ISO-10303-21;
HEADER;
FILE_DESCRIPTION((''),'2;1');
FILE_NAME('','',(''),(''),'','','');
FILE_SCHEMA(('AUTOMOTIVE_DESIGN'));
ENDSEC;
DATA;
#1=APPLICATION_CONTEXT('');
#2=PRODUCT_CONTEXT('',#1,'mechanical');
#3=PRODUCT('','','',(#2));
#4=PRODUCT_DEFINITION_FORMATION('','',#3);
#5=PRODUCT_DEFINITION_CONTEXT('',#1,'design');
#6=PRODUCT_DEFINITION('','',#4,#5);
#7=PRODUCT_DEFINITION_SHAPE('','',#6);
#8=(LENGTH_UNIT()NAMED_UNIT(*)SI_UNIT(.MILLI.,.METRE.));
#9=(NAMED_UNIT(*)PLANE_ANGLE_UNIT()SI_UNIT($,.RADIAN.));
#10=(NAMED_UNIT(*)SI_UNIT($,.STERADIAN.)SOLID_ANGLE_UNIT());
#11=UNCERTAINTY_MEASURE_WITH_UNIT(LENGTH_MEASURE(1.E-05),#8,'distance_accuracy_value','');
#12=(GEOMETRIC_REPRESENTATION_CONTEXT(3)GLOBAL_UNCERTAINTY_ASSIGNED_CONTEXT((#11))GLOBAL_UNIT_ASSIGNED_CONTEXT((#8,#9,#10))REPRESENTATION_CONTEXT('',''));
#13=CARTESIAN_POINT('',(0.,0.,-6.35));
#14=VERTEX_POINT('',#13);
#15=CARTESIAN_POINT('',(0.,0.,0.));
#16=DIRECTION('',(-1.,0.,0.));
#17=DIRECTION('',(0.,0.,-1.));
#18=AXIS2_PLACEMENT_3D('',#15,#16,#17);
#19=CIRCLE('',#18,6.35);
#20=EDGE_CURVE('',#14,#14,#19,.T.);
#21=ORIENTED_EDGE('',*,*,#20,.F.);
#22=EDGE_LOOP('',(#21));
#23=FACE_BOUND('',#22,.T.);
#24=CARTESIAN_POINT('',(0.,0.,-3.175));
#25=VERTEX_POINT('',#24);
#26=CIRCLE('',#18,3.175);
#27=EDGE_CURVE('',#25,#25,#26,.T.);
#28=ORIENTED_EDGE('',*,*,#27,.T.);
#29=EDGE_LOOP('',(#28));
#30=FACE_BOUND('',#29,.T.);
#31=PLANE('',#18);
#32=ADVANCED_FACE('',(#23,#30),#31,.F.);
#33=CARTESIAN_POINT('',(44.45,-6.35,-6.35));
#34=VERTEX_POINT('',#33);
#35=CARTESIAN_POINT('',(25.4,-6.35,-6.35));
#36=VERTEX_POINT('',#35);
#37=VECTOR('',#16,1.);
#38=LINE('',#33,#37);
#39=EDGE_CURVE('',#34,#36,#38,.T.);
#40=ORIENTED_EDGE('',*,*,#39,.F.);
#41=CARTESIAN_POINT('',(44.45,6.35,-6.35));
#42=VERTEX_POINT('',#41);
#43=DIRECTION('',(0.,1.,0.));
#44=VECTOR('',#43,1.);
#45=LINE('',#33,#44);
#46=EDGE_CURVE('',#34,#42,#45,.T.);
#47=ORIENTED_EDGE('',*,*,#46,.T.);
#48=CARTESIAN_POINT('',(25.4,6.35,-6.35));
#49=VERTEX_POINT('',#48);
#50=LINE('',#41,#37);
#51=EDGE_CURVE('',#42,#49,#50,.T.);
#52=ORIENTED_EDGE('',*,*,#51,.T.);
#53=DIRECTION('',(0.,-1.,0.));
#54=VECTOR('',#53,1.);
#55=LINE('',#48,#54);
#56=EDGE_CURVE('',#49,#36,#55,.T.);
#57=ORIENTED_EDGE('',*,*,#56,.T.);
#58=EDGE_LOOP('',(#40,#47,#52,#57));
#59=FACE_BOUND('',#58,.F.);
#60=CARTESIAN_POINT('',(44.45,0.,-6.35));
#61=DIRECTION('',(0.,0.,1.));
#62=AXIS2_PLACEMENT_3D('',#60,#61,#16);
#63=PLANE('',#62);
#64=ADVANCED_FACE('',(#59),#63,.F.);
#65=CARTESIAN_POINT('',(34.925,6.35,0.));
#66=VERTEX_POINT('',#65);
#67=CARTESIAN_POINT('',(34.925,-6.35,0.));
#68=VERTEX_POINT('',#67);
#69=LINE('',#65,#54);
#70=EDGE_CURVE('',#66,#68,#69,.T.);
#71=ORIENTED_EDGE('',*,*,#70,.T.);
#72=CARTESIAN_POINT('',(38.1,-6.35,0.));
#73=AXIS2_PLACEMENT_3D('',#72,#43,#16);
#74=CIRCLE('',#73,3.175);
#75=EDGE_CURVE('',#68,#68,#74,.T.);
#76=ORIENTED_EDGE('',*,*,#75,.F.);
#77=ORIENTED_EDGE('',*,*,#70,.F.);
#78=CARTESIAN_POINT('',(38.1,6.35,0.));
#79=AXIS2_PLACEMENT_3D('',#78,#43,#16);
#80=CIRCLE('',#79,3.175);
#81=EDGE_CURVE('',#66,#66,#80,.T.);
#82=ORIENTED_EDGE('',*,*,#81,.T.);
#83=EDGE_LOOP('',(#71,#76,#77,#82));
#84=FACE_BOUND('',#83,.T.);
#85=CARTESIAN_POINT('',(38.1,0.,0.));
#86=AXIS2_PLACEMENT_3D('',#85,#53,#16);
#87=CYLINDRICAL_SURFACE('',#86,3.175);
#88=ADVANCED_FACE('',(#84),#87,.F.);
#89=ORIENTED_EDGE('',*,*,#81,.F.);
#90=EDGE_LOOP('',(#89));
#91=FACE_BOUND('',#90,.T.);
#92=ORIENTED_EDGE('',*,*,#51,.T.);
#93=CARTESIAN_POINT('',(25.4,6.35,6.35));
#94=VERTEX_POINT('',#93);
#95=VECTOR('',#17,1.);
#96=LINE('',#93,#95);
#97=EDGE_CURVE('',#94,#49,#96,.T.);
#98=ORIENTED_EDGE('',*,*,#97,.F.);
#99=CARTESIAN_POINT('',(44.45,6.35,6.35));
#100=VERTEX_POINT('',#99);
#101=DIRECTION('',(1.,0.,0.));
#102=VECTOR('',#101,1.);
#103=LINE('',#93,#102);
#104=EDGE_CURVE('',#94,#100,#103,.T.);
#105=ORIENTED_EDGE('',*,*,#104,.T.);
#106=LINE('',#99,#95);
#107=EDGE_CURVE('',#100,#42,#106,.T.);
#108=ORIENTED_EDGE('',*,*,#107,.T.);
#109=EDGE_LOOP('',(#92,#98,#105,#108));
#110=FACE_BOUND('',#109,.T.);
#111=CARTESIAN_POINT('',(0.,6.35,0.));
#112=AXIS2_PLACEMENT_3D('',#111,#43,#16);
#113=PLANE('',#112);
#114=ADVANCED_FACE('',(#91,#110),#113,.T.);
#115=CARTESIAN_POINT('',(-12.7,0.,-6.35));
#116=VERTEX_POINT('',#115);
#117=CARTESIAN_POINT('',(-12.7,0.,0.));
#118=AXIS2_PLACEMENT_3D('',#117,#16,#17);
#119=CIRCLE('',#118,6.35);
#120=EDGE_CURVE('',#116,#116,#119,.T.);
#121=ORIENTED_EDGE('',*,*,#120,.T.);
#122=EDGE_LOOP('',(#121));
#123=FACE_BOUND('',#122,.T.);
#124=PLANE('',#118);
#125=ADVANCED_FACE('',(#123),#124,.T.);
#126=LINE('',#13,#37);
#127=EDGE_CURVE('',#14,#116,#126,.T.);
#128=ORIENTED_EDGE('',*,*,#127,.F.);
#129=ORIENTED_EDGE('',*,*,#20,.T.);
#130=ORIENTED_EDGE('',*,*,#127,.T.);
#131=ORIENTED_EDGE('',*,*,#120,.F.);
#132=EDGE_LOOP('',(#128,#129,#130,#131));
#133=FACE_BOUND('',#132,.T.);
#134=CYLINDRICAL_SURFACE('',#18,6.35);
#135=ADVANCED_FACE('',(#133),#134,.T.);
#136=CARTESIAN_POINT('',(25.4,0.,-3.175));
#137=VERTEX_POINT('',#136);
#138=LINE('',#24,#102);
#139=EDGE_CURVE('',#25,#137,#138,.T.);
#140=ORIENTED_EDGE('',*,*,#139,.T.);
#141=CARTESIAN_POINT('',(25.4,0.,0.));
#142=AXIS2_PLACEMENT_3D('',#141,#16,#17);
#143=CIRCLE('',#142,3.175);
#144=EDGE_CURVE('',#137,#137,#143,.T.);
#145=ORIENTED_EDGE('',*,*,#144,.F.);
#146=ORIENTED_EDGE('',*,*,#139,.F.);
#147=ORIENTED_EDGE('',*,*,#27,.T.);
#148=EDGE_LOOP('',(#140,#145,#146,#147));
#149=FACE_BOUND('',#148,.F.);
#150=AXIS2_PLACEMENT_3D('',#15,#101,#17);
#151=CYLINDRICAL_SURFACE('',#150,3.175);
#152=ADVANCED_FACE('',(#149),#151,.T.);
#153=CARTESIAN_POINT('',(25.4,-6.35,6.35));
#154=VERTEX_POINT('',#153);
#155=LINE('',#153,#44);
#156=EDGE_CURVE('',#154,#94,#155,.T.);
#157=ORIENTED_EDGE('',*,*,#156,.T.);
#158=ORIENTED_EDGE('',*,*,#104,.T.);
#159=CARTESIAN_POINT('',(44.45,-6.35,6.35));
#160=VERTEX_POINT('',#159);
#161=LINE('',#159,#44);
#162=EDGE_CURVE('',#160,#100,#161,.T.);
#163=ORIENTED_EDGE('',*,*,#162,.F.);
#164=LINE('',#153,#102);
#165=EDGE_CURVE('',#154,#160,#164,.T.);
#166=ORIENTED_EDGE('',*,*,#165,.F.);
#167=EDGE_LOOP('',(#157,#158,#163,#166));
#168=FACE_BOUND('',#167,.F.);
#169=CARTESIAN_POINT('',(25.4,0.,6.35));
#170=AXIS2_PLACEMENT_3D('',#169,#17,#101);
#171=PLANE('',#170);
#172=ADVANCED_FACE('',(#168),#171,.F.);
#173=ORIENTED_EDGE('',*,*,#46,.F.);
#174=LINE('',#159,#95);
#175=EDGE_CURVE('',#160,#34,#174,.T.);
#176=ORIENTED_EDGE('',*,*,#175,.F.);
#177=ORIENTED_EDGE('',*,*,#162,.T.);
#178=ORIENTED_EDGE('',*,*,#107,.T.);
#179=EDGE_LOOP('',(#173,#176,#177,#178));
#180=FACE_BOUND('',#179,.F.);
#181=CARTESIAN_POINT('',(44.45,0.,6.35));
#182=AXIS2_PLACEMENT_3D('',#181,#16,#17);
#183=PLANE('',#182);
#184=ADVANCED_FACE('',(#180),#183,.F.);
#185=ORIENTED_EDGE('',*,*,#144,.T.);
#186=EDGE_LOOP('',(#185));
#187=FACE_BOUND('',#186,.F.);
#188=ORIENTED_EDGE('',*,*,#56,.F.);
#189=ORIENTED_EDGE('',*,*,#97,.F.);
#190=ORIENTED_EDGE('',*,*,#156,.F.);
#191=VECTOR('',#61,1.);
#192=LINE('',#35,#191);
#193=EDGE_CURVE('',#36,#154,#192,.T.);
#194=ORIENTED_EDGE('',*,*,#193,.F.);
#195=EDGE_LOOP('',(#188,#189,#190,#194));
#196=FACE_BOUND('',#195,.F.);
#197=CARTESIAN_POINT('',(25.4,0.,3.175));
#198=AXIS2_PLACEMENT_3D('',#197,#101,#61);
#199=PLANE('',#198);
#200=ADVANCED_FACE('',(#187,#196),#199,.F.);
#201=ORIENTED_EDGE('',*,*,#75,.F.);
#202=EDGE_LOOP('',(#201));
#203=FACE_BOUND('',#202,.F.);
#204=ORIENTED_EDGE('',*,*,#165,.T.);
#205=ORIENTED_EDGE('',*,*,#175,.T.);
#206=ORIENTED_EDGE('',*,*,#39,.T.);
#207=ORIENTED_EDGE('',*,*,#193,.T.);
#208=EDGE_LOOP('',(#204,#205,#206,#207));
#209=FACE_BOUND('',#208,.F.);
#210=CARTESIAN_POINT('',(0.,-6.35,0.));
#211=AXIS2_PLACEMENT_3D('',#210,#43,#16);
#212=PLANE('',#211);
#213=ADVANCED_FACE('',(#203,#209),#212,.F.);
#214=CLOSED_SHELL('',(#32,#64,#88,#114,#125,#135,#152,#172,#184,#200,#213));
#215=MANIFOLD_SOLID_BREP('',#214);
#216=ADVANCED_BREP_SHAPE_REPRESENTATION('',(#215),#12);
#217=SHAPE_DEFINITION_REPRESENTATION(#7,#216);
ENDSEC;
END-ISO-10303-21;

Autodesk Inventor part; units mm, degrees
ref_plane "YZ Plane" through (0, 0, 0) normal (1, 0, 0) x (0, 1, 0)
ref_plane "XZ Plane" through (0, 0, 0) normal (0, 1, 0) x (-1, 0, 0)
sketch "Sketch2" plane through (0, 0, 0) normal (0, 1, 0) x (-1, 0, 0)
  line L0 (-25.4, 6.35) -> (-44.45, 6.35)
  line L1 (-44.45, 6.35) -> (-44.45, -6.35)
  line L2 (-44.45, -6.35) -> (-25.4, -6.35)
  line L3 (-25.4, -6.35) -> (-25.4, 6.35)
  line L4 (-25.4, 3.175) -> (-25.4, -3.175) projected
  circle A0 centre (-38.1, 0) radius 3.175
  point P0 (0, 0)
  point P1 (-25.4, 0)
  dimension "d6" = 0
  dimension "d15" = 6.35
  dimension "d16" = 6.35
  dimension "d17" = 12.7
  dimension "d18" = 19.05
  dimension "d19" = 6.35
extrude "Extrusion1" add sketch "Sketch2" along normal mid plane 12.7
ref_plane "Work Plane2" through (0, 0, 0) normal (0, 1, 0) x (1, 0, 0)
sketch "Sketch4" plane through (0, 0, 0) normal (0, 1, 0) x (1, 0, 0)
  line L0 (25.4, 6.35) -> (25.4, -6.35) projected
  line L1 (25.4, 0) -> (0, 0)
  line L2 (0, 0) -> (0, 3.175)
  line L3 (0, 3.175) -> (25.4, 3.175)
  line L4 (25.4, 0) -> (25.4, 3.175)
  line L5 (0, 0) -> (0, 6.35)
  line L6 (0, 6.35) -> (-12.7, 6.35)
  line L7 (-12.7, 6.35) -> (-12.7, 0)
  line L8 (-12.7, 0) -> (0, 0)
  point P0 (0, 0)
  point P1 (0, 3.175)
  dimension "d20" = 25.4
  dimension "d21" = 3.175
  dimension "d22" = 6.35
  dimension "d23" = 12.7
revolve "Revolution2" add sketch "Sketch4" angle 360 about axis through (25.4, 0, 0) along (-1, 0, 0)
properties part number "Piston Assembly"
